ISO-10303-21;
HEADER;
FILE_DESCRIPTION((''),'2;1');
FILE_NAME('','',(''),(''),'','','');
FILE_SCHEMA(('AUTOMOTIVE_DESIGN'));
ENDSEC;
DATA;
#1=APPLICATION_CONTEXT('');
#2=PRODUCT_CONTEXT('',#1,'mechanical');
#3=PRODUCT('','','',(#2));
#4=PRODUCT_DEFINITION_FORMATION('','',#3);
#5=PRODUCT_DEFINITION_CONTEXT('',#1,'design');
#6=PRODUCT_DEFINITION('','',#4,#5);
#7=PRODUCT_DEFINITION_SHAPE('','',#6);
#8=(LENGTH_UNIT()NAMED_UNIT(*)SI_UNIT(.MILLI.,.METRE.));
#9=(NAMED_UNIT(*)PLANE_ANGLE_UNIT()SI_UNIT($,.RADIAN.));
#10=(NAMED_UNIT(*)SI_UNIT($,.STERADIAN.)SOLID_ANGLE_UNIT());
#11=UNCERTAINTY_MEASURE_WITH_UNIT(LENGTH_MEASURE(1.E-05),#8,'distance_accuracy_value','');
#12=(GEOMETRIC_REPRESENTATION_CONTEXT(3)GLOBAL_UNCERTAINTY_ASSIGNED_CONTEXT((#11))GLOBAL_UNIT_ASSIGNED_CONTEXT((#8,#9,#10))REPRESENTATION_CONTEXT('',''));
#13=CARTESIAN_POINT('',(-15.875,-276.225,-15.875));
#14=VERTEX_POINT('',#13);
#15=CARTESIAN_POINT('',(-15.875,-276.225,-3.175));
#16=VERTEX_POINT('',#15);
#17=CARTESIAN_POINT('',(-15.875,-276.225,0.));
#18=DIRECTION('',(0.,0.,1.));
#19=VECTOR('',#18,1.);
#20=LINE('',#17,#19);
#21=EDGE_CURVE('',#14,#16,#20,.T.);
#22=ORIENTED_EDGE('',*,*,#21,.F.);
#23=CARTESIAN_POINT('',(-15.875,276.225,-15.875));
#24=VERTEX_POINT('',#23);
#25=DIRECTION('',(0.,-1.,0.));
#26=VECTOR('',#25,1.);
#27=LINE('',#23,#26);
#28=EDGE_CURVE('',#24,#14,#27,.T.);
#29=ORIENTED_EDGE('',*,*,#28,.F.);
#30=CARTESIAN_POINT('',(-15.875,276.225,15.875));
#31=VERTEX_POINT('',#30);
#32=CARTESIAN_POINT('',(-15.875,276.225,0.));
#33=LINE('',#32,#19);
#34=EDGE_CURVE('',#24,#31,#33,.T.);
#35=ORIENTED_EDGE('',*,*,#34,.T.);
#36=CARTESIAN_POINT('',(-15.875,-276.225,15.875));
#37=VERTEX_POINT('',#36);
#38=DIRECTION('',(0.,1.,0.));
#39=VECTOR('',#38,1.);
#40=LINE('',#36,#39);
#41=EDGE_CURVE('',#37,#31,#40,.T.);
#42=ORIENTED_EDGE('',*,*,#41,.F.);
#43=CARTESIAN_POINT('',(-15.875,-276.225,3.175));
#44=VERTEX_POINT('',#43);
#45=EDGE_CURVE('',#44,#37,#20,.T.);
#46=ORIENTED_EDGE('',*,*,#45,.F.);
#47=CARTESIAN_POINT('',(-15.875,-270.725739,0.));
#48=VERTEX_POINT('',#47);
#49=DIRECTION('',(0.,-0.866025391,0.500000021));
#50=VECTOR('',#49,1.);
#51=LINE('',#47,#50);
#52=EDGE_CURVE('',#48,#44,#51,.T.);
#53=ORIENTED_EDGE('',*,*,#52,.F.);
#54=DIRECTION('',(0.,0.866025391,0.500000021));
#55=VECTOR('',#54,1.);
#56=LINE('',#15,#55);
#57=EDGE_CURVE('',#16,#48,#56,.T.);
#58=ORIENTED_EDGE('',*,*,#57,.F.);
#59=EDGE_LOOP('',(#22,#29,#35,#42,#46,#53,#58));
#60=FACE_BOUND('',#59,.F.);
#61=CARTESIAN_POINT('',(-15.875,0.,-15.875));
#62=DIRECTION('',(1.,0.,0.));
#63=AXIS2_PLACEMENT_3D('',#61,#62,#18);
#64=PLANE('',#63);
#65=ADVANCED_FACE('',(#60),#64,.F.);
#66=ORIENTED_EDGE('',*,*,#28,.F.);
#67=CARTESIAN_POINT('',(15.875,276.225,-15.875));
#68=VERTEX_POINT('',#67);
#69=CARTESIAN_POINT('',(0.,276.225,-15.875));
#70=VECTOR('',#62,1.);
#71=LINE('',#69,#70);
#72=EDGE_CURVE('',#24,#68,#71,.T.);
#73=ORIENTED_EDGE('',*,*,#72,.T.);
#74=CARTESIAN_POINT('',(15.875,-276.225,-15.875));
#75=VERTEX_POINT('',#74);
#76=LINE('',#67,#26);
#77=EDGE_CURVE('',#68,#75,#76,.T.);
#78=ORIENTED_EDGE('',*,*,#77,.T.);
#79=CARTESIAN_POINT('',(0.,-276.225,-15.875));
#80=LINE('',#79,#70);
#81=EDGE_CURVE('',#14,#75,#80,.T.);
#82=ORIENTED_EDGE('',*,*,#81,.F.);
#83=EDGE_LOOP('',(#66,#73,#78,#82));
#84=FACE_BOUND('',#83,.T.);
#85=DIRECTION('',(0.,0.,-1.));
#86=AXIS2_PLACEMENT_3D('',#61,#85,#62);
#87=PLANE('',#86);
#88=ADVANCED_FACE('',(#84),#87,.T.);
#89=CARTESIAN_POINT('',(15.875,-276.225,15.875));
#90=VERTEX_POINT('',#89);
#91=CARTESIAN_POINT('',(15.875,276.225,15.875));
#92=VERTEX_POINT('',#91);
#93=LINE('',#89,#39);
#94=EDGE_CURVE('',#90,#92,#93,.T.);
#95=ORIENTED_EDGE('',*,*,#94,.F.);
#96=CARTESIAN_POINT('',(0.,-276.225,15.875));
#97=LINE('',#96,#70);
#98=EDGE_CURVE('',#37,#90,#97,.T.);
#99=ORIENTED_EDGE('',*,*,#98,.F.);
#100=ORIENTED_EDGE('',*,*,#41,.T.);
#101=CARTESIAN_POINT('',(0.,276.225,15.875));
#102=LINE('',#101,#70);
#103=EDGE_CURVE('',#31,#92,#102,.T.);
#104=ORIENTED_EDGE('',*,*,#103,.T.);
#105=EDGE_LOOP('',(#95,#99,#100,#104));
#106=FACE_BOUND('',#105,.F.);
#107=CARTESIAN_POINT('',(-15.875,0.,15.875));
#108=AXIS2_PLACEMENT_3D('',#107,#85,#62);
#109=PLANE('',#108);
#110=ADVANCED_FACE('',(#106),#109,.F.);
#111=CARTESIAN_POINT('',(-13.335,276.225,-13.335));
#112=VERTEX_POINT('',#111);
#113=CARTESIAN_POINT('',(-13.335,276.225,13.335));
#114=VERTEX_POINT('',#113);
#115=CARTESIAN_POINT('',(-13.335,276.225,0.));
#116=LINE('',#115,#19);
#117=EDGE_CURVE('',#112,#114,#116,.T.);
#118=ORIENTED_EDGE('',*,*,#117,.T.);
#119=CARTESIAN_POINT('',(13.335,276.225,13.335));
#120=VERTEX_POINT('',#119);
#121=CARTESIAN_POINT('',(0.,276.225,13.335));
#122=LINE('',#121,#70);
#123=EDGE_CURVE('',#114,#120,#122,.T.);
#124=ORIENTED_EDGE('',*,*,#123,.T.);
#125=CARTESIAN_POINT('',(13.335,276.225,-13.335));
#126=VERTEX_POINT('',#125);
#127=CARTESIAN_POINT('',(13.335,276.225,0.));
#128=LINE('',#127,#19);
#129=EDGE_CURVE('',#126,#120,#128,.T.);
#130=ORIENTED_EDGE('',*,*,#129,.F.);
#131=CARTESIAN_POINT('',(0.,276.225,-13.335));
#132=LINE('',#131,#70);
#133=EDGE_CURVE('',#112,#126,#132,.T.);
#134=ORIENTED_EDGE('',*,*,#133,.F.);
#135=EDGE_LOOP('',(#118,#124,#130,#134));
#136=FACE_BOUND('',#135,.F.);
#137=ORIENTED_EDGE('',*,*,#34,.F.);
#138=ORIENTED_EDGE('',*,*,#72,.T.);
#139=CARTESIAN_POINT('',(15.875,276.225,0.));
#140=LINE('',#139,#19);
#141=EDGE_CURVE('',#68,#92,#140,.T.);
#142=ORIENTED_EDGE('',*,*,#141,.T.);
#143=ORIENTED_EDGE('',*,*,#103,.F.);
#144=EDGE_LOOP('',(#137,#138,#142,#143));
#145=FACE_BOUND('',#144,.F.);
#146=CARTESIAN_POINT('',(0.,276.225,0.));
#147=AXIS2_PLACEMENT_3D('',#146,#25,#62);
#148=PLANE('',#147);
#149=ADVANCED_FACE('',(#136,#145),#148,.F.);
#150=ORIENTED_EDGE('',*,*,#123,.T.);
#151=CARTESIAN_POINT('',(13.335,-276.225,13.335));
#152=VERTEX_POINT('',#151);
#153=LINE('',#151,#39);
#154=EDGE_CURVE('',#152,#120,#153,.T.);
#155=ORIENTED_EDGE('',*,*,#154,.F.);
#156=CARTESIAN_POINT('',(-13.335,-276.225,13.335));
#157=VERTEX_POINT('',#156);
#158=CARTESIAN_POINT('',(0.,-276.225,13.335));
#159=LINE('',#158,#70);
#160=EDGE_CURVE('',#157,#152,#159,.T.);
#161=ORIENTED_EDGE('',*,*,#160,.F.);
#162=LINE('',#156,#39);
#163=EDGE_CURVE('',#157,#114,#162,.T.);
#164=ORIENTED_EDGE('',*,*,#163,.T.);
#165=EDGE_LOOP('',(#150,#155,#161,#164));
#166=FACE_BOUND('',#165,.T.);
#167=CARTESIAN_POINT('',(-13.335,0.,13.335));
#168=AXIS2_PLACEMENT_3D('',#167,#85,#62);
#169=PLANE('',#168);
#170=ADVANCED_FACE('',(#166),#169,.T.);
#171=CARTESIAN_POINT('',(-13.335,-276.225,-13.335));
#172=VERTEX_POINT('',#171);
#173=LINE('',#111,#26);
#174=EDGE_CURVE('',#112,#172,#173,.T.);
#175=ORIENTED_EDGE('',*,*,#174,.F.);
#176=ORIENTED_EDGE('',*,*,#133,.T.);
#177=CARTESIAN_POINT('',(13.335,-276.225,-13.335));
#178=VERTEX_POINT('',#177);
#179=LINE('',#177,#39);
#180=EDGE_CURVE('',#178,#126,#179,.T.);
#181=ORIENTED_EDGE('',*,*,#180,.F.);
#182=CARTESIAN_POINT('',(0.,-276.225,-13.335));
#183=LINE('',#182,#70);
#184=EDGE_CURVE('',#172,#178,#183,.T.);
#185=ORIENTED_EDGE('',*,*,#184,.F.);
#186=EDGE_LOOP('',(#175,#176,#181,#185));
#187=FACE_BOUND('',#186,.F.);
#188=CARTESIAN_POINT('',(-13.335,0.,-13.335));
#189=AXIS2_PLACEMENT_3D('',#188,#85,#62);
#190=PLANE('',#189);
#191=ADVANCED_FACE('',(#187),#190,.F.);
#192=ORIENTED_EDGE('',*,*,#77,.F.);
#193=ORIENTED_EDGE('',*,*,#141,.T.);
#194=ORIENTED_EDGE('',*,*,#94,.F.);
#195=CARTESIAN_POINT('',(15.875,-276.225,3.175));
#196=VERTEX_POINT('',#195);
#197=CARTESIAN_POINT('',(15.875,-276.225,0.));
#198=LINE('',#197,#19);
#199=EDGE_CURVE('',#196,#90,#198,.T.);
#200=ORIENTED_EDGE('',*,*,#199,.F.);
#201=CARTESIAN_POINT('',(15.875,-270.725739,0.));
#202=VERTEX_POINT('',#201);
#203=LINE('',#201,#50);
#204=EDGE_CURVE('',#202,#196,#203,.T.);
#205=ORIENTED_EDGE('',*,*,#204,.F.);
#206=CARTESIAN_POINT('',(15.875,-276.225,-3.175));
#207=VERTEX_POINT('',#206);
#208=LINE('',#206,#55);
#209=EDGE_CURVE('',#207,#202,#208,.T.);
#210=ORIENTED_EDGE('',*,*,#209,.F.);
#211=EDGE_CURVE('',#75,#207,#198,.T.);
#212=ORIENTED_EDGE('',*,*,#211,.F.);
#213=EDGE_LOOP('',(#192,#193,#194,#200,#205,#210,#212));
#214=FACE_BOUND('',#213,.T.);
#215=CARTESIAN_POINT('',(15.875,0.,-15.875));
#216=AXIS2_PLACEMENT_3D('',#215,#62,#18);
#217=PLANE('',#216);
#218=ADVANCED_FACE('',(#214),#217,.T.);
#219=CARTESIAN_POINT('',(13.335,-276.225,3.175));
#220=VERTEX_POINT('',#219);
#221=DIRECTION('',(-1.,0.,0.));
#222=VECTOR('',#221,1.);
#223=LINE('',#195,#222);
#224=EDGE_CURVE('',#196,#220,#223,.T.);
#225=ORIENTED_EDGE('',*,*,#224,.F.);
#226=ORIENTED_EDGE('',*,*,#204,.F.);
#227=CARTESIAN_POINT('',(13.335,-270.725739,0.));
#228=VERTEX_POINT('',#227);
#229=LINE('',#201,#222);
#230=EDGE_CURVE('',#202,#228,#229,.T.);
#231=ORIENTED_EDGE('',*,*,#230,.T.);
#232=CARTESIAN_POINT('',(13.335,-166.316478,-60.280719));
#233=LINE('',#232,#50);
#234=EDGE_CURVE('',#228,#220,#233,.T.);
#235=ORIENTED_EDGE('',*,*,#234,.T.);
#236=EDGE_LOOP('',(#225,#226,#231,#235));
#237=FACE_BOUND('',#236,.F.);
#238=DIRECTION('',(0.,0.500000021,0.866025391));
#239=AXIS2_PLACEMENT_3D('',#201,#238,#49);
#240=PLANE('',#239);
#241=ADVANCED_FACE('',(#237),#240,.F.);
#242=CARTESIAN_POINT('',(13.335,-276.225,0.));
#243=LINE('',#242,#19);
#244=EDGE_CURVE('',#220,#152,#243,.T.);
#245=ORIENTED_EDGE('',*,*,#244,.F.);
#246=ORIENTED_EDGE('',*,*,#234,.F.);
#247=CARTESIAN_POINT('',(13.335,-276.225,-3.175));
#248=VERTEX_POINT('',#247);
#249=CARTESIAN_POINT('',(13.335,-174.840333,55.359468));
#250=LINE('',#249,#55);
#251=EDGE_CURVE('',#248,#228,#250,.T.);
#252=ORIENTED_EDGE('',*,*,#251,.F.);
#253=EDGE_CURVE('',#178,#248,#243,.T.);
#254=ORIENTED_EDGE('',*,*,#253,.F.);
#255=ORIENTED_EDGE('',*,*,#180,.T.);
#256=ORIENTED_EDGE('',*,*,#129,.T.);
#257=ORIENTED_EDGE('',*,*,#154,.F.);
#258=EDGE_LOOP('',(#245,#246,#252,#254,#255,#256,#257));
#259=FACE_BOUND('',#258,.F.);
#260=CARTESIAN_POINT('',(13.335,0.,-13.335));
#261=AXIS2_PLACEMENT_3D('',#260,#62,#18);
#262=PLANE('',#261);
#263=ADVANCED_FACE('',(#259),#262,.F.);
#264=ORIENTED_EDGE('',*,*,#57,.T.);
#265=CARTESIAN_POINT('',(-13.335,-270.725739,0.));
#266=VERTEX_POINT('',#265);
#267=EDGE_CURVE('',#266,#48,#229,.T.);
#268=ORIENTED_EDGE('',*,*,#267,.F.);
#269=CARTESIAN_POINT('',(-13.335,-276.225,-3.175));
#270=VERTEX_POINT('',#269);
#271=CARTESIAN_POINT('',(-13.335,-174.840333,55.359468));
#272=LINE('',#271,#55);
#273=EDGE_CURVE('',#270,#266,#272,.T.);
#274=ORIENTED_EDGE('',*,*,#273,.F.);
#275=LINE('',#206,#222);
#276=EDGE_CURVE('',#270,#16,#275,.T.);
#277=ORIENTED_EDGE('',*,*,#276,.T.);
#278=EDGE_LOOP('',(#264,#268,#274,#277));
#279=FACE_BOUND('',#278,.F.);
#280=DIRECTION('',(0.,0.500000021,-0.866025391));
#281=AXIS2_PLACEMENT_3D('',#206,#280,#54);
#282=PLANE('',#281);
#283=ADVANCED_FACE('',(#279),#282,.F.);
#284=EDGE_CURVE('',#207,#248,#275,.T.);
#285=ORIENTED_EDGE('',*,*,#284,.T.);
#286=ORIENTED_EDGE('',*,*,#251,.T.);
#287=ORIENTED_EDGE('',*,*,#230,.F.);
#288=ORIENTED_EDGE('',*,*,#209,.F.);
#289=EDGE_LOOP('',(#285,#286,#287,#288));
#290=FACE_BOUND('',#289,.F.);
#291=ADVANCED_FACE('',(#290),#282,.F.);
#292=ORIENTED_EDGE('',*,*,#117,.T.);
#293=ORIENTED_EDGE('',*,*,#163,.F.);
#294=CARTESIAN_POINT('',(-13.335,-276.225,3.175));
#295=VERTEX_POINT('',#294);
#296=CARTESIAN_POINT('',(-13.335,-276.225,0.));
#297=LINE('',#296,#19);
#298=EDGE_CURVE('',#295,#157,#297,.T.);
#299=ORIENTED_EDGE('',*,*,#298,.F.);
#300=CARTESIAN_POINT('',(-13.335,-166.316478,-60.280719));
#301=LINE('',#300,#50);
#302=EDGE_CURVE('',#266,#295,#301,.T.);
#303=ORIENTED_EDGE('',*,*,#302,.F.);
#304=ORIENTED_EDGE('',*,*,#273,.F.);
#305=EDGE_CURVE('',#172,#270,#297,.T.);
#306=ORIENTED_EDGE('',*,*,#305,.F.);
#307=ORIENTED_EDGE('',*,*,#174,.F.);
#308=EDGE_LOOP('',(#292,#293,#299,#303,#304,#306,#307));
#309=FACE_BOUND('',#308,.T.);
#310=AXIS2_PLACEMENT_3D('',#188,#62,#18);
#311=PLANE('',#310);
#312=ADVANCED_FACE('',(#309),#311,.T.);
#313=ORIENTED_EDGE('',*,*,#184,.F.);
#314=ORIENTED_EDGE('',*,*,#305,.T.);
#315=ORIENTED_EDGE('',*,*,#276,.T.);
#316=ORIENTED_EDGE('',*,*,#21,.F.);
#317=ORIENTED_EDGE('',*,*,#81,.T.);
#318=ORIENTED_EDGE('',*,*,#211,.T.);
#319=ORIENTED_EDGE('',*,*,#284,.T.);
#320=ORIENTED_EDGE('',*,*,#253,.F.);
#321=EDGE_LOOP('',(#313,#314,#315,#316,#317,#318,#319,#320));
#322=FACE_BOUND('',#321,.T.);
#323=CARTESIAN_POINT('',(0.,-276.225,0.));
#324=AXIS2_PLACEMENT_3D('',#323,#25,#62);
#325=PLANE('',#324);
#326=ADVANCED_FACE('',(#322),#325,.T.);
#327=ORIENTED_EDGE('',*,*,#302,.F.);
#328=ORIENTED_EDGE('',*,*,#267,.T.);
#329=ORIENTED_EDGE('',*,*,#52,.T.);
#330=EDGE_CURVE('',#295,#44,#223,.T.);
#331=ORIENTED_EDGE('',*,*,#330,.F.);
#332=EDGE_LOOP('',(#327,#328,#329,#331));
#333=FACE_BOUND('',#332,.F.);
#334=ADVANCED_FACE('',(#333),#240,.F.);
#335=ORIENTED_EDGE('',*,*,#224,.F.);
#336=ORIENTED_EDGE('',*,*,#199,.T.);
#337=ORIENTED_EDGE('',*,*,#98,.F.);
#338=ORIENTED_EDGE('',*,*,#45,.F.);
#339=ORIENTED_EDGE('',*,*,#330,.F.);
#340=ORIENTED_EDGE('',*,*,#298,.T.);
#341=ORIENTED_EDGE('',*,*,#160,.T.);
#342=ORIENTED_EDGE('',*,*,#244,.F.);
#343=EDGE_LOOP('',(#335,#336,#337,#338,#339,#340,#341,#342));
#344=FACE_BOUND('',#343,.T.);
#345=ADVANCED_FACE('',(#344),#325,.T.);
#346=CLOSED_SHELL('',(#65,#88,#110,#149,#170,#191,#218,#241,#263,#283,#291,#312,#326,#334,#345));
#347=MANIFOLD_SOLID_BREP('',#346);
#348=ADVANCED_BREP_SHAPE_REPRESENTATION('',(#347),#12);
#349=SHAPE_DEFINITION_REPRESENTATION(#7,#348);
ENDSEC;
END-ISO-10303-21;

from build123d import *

# Parameters (mm, degrees)
F0_W     = 31.75
F0_H     = 31.75
F0_W_2   = 26.67
F0_H_2   = 26.67
F1_DEPTH = 276.225
F3_DEPTH = 31.75


with BuildPart() as f1:
    # F0 (on Front) → F1 (new body, symmetric)
    with BuildSketch(Plane.XZ):
        Rectangle(F0_W, F0_H)
        Rectangle(F0_W_2, F0_H_2, mode=Mode.SUBTRACT)
    extrude(amount=F1_DEPTH, both=True)

    # F2 (on face) → F3 (cut, through all)
    with BuildSketch(Plane.YZ.offset(15.875)):
        Polygon((-276.225, -3.175), (-270.725739, 0), (-276.225, 3.175), align=None)
    extrude(amount=-F3_DEPTH, mode=Mode.SUBTRACT)


solid = f1.part
